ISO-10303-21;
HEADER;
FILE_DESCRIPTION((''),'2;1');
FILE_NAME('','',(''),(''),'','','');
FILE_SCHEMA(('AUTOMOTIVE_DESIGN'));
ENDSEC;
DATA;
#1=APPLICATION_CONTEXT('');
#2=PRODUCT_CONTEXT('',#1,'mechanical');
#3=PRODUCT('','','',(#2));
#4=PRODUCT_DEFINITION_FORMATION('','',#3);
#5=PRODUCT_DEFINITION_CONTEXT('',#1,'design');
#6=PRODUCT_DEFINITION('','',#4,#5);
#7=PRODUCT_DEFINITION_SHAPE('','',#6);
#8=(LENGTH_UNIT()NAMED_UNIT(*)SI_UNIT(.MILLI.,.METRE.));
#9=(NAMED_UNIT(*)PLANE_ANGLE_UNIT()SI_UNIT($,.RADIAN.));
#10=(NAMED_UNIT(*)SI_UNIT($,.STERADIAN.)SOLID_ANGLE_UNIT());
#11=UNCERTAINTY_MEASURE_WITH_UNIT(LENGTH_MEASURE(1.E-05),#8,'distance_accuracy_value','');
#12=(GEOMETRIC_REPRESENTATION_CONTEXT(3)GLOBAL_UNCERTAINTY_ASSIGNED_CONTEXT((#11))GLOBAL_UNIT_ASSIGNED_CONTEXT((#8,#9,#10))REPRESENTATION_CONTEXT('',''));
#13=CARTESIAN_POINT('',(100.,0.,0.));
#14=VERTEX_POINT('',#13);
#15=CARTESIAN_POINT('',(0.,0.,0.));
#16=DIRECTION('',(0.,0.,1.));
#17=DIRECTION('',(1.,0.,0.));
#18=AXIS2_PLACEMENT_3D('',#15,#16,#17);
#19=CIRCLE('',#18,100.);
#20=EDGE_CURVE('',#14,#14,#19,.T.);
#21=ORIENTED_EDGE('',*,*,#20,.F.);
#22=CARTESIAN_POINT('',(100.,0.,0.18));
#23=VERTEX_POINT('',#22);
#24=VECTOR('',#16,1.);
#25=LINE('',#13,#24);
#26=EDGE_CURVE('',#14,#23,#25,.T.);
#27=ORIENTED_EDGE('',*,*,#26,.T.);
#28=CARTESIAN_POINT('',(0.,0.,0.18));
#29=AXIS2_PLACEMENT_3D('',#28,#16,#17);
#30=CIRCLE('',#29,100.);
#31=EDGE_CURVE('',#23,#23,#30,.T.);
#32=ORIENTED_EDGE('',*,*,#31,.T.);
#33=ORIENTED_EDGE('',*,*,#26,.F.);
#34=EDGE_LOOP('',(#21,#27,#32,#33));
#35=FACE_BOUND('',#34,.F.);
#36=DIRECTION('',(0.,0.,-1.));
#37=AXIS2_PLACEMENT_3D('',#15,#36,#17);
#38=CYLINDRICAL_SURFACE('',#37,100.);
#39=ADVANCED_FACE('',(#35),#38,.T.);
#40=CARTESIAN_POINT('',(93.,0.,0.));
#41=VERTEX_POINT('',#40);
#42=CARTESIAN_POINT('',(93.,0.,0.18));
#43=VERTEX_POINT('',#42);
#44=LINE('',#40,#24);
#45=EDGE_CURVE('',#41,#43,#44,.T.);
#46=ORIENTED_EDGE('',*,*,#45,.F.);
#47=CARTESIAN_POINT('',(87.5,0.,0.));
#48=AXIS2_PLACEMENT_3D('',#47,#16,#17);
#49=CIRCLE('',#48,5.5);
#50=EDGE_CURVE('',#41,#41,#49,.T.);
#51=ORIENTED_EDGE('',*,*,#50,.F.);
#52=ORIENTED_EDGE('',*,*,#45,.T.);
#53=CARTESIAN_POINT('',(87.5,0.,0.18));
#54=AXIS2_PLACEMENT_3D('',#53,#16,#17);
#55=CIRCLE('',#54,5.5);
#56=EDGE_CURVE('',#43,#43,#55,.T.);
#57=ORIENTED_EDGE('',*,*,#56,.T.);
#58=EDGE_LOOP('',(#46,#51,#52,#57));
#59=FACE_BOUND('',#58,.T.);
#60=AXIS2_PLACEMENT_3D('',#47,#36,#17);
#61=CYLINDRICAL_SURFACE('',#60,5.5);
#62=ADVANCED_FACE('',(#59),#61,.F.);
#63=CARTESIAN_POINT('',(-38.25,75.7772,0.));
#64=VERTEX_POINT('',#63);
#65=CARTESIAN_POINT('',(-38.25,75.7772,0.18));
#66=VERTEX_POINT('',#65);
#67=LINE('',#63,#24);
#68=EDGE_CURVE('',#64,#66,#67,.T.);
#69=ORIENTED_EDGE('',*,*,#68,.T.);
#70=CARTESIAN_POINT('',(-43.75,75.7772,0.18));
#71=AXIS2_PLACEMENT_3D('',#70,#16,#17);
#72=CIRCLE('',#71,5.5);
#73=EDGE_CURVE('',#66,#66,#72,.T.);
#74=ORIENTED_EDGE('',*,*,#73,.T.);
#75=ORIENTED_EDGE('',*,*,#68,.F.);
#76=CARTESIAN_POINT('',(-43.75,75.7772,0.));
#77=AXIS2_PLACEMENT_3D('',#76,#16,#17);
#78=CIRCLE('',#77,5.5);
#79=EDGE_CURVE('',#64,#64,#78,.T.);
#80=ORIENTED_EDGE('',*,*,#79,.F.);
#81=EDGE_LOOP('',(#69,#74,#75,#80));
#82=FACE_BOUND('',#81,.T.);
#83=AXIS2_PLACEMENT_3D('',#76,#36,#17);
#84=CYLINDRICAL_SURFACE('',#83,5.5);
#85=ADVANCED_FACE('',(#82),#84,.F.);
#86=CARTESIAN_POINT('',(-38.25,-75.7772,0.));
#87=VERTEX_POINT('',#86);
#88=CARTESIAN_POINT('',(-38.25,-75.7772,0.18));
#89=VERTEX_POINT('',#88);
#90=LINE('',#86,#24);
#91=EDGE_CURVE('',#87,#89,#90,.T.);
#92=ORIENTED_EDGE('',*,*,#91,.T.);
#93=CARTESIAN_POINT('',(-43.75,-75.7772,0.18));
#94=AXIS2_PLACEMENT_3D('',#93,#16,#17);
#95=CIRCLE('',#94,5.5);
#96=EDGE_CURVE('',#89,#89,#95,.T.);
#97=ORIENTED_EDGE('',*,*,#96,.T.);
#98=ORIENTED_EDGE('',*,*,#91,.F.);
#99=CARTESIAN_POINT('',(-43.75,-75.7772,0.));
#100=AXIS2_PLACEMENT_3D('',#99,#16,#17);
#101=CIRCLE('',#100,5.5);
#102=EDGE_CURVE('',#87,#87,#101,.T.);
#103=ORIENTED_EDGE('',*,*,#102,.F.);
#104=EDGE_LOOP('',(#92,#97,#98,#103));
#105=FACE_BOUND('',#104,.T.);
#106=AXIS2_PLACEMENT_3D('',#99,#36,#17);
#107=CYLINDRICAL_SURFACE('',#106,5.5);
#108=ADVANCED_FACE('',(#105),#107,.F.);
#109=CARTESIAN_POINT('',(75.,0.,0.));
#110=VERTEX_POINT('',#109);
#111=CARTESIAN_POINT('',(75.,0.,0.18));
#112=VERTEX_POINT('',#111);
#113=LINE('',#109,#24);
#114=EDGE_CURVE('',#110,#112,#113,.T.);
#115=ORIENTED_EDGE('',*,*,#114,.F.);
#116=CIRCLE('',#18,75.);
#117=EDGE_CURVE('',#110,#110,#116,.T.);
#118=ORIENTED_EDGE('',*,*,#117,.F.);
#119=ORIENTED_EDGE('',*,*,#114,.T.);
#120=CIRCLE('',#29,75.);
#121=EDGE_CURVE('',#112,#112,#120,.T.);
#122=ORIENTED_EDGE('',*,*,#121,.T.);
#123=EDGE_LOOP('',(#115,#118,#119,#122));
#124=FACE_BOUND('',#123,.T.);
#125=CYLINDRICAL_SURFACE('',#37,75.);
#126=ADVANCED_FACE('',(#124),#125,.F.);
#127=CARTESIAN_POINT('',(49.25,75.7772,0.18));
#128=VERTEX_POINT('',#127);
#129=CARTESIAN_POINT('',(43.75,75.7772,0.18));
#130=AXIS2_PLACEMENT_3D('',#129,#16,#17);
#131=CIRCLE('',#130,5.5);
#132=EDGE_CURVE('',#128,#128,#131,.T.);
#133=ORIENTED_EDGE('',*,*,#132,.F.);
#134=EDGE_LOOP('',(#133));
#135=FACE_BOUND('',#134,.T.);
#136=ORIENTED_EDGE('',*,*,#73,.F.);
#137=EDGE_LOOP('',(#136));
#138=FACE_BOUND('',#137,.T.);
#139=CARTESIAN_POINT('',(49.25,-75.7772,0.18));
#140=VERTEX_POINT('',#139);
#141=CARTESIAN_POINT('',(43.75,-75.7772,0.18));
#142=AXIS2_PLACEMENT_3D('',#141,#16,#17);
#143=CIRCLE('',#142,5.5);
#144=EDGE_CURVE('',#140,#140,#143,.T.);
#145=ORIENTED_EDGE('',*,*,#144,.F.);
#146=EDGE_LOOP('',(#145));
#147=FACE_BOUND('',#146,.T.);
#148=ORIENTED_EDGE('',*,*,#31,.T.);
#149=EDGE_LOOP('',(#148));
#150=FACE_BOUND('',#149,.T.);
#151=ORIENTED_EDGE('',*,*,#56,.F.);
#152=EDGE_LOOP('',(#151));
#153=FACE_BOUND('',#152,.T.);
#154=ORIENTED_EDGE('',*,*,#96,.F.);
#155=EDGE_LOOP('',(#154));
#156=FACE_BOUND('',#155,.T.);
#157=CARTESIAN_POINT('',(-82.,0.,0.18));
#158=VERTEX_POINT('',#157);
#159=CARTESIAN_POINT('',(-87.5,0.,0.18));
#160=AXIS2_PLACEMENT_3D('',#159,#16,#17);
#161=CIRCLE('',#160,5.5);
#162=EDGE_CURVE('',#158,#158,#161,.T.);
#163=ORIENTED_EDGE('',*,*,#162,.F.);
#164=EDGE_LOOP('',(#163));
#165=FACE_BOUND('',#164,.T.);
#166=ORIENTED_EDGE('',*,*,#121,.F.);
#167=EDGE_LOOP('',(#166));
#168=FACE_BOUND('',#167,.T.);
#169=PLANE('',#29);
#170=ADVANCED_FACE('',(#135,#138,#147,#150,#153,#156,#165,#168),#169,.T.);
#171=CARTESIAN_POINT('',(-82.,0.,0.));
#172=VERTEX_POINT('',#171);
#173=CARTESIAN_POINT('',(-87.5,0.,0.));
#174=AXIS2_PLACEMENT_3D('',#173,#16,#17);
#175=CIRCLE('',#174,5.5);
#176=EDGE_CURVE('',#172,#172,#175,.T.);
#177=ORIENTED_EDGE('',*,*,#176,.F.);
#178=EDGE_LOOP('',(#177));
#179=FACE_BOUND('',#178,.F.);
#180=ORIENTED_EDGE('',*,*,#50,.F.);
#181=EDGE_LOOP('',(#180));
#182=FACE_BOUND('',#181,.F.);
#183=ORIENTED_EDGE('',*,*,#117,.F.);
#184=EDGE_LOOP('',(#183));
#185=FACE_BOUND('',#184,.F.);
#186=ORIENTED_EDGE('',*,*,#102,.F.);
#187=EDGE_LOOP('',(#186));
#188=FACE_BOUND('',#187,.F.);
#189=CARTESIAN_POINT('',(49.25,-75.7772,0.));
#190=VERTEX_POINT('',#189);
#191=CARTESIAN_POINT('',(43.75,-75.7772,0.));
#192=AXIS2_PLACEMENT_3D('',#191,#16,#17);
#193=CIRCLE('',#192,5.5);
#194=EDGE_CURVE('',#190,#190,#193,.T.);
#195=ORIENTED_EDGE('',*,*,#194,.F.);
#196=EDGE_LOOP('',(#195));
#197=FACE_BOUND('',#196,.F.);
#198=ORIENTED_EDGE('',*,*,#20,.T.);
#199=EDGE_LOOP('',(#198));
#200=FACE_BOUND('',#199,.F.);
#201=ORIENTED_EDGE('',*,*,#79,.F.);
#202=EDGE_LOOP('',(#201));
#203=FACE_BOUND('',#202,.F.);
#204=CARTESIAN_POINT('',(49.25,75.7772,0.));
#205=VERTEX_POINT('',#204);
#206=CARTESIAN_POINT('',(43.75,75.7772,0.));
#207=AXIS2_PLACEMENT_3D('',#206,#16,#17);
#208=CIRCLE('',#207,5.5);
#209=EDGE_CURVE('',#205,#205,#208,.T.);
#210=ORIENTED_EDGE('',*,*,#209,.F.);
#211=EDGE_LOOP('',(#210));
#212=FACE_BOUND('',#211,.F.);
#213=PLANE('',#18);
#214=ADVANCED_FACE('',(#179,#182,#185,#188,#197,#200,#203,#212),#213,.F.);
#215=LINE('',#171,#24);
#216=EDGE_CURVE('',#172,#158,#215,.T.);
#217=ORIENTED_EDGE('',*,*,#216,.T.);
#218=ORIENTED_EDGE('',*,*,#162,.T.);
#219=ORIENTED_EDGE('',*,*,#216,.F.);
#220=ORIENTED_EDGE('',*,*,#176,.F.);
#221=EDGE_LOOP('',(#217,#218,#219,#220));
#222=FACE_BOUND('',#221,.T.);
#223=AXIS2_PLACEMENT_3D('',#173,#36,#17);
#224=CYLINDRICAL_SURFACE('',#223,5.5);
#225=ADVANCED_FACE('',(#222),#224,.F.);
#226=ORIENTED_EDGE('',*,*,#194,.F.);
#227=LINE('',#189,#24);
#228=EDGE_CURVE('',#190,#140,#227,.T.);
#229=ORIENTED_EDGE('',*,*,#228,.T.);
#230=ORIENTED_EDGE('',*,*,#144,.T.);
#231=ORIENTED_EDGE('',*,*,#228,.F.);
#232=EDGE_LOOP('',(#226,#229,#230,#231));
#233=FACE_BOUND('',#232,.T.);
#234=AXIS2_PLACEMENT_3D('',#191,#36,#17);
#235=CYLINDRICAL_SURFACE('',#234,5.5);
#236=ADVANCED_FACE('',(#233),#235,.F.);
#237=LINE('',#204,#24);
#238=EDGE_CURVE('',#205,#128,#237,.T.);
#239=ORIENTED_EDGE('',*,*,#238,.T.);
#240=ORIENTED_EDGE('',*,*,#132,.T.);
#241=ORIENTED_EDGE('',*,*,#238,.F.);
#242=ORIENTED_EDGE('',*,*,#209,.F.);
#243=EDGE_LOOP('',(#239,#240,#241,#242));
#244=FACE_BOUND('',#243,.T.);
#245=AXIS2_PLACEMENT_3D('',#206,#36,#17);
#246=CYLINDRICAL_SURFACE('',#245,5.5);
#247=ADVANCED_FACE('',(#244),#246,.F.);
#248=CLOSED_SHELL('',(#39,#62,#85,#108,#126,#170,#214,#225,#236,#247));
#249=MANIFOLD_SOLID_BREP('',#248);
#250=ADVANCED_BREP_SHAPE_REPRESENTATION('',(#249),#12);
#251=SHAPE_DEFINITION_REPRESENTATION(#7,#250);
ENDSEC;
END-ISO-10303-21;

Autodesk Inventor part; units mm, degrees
ref_plane "YZ Plane" through (0, 0, 0) normal (1, 0, 0) x (0, 1, 0)
ref_plane "XZ Plane" through (0, 0, 0) normal (0, 1, 0) x (-1, 0, 0)
ref_plane "工作平面1" through (0, 0, 0) normal (0, 0, 1) x (1, 0, 0)
sketch "草图1" plane through (0, 0, 0) normal (0, 0, 1) x (1, 0, 0)
  circle A0 centre (0, 0) radius 75 projected
  circle A1 centre (0, 0) radius 100 projected
  circle A2 centre (43.75, 75.7772) radius 5.5 projected
  circle A3 centre (87.5, 0) radius 5.5 projected
  circle A4 centre (-43.75, -75.7772) radius 5.5 projected
  circle A5 centre (-43.75, 75.7772) radius 5.5 projected
  circle A6 centre (-87.5, 0) radius 5.5 projected
  circle A7 centre (43.75, -75.7772) radius 5.5 projected
  point P0 (0, 0)
extrude "拉伸1" add sketch "草图1" along normal blind 0.18
properties part number "垫片4"
